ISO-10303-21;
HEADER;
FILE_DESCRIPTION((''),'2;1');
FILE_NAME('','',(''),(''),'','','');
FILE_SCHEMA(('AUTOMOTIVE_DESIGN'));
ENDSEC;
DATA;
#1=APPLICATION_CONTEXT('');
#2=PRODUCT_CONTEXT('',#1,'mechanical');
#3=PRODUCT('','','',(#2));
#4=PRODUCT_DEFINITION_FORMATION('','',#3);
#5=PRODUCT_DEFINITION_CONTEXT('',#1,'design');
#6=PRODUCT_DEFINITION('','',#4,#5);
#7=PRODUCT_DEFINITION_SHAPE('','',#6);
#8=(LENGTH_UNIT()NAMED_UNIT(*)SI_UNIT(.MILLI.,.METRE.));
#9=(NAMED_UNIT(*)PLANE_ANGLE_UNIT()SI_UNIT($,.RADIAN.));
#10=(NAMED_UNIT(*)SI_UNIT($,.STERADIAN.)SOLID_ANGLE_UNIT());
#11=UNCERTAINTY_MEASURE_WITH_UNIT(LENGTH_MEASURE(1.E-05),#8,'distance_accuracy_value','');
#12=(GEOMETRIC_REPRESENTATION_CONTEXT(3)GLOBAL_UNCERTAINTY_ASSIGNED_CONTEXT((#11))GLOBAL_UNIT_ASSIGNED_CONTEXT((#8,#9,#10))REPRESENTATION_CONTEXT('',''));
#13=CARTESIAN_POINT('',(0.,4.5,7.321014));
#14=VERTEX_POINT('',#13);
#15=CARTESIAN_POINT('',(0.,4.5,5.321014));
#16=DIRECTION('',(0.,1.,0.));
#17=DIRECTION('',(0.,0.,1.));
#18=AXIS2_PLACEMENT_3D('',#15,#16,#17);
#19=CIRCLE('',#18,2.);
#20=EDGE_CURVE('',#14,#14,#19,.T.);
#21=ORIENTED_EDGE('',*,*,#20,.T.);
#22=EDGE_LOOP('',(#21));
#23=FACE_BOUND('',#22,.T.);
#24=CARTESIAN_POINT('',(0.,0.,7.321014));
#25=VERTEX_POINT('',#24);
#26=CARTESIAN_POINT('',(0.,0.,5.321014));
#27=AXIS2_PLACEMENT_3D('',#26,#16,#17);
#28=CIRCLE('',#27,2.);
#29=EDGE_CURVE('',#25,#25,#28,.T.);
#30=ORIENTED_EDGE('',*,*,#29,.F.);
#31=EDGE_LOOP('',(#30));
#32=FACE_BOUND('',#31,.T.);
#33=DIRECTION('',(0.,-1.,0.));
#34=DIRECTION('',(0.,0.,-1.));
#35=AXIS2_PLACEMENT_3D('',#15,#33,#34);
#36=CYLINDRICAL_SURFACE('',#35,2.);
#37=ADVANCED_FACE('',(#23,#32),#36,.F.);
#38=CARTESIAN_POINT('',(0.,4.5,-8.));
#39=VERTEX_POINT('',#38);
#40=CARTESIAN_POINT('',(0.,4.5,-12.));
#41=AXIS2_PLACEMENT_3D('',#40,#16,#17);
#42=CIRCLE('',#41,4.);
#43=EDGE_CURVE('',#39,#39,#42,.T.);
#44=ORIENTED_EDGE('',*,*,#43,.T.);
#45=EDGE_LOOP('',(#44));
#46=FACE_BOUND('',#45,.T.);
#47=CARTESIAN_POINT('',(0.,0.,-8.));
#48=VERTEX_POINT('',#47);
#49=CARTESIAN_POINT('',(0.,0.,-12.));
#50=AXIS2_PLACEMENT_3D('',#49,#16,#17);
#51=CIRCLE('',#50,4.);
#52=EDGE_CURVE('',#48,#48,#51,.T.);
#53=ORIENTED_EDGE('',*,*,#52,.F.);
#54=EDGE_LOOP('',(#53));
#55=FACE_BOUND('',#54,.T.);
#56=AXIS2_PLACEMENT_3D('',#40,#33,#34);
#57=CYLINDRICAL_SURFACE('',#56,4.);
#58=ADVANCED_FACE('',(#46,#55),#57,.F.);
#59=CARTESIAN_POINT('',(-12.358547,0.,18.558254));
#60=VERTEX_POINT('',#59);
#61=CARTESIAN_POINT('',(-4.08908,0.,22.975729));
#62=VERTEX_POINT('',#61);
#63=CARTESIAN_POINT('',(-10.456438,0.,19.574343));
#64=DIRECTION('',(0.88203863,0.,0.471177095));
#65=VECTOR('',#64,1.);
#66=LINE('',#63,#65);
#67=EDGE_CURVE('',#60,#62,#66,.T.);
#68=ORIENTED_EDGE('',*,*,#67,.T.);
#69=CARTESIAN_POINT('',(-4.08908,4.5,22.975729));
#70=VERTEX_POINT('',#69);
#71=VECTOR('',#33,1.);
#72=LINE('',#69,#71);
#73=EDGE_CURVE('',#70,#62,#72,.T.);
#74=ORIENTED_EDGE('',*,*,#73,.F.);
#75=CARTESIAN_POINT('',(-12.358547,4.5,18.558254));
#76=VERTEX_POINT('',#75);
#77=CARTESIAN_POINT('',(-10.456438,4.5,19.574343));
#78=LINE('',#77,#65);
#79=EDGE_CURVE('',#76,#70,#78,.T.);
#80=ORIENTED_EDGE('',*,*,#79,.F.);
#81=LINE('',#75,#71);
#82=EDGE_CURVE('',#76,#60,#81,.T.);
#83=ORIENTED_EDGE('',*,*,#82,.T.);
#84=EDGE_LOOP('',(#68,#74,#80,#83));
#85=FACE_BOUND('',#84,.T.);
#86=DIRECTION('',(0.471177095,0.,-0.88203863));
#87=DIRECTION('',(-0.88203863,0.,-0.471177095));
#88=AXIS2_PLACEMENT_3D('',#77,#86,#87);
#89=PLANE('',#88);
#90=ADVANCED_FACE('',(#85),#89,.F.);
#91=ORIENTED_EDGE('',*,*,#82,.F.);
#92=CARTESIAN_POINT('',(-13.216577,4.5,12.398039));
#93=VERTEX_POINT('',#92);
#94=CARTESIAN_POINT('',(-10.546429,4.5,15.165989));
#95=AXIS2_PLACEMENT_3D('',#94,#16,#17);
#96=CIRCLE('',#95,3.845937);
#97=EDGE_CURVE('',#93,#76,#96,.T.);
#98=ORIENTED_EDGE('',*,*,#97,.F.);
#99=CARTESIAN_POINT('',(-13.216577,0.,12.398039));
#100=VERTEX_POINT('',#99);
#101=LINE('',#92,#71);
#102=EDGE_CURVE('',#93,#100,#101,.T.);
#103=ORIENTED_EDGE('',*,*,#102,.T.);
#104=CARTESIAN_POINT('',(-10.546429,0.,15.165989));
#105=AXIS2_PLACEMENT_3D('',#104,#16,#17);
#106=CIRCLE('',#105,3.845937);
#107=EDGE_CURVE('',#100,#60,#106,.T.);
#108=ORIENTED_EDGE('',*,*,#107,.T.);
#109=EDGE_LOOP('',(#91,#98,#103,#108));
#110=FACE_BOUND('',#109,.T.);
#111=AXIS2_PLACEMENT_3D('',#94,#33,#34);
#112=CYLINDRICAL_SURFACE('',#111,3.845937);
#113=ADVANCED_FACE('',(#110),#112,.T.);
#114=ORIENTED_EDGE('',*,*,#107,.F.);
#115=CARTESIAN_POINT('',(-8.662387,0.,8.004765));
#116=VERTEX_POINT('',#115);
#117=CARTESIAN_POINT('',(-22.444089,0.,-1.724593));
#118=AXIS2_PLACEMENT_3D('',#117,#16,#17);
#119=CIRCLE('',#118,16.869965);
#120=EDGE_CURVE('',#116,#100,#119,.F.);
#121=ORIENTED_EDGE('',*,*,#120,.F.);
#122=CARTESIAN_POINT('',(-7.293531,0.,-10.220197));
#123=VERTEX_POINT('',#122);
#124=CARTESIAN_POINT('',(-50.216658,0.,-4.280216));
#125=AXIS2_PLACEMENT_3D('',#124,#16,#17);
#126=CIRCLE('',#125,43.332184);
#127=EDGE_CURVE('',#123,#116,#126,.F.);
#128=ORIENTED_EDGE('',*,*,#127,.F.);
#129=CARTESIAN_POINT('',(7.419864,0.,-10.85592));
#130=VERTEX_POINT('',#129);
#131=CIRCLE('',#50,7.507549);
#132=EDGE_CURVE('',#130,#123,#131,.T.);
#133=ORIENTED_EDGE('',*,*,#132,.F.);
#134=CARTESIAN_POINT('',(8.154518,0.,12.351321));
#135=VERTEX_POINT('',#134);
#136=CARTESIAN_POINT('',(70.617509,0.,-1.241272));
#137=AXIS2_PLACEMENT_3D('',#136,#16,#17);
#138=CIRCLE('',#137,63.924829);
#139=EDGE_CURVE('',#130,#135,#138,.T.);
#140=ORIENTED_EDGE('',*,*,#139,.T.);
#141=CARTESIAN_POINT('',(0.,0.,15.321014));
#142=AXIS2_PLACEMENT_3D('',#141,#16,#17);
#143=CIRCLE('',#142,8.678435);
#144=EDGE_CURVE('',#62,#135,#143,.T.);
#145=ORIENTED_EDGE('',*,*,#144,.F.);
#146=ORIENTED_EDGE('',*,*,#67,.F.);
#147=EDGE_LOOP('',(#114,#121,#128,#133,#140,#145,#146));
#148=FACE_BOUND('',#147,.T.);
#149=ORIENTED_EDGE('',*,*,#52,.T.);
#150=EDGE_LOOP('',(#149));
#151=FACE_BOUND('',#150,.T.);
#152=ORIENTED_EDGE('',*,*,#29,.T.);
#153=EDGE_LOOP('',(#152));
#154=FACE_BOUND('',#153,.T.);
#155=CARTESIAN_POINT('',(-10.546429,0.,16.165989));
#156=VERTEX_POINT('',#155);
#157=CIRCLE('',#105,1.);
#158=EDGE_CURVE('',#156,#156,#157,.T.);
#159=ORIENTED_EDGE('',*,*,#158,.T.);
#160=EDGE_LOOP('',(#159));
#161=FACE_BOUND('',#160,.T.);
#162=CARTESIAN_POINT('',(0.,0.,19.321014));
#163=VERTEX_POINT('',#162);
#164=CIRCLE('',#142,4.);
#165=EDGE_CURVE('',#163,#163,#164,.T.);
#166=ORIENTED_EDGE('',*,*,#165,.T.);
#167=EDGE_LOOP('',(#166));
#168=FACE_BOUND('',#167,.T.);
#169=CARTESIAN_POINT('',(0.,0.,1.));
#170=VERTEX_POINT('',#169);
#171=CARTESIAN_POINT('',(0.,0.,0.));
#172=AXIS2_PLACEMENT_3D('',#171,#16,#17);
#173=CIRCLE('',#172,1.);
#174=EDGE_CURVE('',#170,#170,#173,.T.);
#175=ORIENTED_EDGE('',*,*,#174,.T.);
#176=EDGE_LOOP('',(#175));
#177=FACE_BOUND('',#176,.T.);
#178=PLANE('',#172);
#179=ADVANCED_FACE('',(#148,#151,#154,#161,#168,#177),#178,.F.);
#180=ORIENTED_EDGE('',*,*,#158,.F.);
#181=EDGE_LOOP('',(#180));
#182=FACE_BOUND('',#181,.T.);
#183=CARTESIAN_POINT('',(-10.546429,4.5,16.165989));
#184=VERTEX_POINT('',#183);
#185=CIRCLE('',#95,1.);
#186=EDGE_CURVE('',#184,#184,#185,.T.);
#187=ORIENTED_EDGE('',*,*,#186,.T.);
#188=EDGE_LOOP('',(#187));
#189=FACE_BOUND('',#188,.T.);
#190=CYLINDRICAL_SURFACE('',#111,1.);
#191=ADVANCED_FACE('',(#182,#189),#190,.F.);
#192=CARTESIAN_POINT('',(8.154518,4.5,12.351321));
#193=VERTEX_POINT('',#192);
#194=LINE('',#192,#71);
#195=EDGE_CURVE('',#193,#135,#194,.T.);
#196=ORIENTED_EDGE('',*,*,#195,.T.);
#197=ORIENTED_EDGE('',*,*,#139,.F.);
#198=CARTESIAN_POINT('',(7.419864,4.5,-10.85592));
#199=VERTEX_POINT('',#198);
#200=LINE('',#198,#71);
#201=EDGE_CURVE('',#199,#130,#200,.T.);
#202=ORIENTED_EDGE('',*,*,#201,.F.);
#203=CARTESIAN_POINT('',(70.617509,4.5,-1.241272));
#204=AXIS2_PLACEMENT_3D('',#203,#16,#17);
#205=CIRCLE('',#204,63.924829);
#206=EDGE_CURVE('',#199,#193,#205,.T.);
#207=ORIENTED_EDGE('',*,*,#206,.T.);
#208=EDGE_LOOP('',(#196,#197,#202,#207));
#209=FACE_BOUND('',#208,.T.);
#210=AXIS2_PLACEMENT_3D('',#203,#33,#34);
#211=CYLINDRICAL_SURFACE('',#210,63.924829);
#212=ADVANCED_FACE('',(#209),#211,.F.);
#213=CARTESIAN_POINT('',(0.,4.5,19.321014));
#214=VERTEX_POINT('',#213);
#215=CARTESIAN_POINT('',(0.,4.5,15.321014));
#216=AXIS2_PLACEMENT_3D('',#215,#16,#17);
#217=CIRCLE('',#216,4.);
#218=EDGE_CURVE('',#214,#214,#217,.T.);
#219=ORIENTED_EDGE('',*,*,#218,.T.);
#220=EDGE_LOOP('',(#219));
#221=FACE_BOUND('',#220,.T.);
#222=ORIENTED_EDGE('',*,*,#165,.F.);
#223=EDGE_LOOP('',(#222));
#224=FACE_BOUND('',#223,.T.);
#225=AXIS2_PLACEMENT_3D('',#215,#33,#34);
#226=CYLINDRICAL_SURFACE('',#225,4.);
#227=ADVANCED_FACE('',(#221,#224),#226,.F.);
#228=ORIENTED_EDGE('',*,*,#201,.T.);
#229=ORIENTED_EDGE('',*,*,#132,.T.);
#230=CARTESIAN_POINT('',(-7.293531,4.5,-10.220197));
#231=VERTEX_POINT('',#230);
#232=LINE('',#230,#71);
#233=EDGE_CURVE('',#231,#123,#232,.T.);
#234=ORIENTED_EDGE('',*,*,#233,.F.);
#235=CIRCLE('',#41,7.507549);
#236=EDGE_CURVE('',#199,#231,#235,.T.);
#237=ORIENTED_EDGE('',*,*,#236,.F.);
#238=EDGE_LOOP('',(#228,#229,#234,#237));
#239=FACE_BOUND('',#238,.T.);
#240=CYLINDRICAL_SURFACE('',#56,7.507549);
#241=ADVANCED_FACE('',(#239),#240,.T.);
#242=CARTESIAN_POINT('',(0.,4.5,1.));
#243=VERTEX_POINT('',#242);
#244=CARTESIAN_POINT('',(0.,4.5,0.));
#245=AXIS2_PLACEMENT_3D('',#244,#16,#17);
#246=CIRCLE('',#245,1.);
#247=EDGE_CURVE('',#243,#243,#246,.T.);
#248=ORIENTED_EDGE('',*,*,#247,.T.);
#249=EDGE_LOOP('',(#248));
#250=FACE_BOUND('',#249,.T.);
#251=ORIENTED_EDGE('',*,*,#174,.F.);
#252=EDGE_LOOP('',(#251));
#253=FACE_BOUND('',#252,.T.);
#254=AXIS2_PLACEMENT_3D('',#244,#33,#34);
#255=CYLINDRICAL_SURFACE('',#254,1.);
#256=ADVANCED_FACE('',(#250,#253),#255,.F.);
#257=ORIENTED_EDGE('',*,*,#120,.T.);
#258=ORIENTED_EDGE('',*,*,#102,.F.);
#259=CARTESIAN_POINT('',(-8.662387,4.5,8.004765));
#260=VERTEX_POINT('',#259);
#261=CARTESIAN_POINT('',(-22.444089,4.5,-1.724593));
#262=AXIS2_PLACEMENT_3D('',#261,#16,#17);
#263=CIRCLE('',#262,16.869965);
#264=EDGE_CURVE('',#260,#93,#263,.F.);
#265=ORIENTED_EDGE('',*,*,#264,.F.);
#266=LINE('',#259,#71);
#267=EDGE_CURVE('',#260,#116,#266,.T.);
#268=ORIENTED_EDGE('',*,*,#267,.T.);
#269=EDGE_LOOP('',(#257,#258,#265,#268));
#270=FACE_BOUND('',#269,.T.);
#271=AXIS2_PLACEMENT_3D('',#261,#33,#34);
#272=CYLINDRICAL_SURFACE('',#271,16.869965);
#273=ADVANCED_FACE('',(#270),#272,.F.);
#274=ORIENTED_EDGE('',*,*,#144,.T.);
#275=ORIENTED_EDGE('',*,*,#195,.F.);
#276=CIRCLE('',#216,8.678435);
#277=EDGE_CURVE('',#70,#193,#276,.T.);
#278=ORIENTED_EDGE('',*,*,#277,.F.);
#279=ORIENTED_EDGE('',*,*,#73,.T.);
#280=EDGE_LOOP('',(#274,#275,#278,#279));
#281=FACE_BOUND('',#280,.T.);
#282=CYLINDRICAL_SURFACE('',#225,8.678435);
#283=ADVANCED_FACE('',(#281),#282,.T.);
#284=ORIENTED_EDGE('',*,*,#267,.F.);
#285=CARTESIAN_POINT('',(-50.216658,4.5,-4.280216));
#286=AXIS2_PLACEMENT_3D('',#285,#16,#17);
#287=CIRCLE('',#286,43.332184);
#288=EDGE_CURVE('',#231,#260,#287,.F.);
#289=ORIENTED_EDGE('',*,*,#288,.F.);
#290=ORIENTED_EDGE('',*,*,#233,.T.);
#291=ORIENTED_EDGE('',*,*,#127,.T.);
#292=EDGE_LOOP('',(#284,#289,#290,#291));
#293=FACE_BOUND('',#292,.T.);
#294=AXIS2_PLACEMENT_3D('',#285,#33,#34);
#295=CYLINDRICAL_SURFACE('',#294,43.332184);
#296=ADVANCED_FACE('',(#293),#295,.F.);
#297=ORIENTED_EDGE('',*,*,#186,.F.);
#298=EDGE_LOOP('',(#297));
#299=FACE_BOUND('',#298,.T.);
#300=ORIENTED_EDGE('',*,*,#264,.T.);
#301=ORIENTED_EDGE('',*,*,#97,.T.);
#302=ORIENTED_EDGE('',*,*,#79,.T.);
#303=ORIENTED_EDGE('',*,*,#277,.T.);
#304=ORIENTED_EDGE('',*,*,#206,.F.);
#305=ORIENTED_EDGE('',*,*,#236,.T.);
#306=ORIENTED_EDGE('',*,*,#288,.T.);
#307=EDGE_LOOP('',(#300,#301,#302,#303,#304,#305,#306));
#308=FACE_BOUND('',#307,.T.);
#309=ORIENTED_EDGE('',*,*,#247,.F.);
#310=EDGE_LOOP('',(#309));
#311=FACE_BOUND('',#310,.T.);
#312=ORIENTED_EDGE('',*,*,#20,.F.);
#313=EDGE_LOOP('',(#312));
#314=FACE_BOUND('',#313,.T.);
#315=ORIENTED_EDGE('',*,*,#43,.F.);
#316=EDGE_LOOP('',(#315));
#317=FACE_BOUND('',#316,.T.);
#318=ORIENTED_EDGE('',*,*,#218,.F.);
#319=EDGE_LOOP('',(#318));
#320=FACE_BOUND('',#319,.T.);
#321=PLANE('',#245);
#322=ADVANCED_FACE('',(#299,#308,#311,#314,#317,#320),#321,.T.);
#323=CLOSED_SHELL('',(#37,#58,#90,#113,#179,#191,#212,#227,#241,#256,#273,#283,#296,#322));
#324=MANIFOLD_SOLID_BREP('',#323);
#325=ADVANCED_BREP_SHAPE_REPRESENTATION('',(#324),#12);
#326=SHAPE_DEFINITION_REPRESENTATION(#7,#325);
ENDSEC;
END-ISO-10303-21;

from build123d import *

# Parameters (mm, degrees)
SKETCH1_R           = 1
SKETCH1_R_2         = 4
SKETCH1_R_3         = 2
BOSS_EXTRUDE1_DEPTH = 4.5


with BuildPart() as part:
    # Sketch1 → Boss-Extrude1 (new body)
    with BuildSketch(Plane(origin=(0, 0, 0), x_dir=(1, 0, 0), z_dir=(0, 1, 0))):
        with BuildLine():
            ThreePointArc((-13.216577068, -12.398039355), (-14.355594067, -15.696551109), (-12.358546854, -18.55825374))
            Line((-12.358546854, -18.55825374), (-4.089079858, -22.975728551))
            ThreePointArc((-4.089079858, -22.975728551), (5.687833956, -21.875689807), (8.154517998, -12.351321125))
            ThreePointArc((8.154517998, -12.351321125), (6.724685531, -0.7813357), (7.419863607, 10.855919606))
            ThreePointArc((7.419863607, 10.855919606), (-0.324076795, 19.500551353), (-7.293531269, 10.220197086))
            ThreePointArc((-7.293531269, 10.220197086), (-7.006184901, 1.034726978), (-8.662387246, -8.004765421))
            ThreePointArc((-8.662387246, -8.004765421), (-10.314906991, -10.000536559), (-12.253567388, -11.719699089))
            ThreePointArc((-12.253567388, -11.719699089), (-12.729149831, -12.067276987), (-13.216577068, -12.398039355))
        make_face()
        with Locations((-10.546429397, -15.165988669)):
            Circle(SKETCH1_R, mode=Mode.SUBTRACT)
        with Locations((0, -15.321013501)):
            Circle(SKETCH1_R_2, mode=Mode.SUBTRACT)
        with Locations((0, -5.321013501)):
            Circle(SKETCH1_R_3, mode=Mode.SUBTRACT)
        Circle(SKETCH1_R, mode=Mode.SUBTRACT)
        with Locations((-3e-08, 12)):
            Circle(SKETCH1_R_2, mode=Mode.SUBTRACT)
    extrude(amount=BOSS_EXTRUDE1_DEPTH)


solid = part.part
